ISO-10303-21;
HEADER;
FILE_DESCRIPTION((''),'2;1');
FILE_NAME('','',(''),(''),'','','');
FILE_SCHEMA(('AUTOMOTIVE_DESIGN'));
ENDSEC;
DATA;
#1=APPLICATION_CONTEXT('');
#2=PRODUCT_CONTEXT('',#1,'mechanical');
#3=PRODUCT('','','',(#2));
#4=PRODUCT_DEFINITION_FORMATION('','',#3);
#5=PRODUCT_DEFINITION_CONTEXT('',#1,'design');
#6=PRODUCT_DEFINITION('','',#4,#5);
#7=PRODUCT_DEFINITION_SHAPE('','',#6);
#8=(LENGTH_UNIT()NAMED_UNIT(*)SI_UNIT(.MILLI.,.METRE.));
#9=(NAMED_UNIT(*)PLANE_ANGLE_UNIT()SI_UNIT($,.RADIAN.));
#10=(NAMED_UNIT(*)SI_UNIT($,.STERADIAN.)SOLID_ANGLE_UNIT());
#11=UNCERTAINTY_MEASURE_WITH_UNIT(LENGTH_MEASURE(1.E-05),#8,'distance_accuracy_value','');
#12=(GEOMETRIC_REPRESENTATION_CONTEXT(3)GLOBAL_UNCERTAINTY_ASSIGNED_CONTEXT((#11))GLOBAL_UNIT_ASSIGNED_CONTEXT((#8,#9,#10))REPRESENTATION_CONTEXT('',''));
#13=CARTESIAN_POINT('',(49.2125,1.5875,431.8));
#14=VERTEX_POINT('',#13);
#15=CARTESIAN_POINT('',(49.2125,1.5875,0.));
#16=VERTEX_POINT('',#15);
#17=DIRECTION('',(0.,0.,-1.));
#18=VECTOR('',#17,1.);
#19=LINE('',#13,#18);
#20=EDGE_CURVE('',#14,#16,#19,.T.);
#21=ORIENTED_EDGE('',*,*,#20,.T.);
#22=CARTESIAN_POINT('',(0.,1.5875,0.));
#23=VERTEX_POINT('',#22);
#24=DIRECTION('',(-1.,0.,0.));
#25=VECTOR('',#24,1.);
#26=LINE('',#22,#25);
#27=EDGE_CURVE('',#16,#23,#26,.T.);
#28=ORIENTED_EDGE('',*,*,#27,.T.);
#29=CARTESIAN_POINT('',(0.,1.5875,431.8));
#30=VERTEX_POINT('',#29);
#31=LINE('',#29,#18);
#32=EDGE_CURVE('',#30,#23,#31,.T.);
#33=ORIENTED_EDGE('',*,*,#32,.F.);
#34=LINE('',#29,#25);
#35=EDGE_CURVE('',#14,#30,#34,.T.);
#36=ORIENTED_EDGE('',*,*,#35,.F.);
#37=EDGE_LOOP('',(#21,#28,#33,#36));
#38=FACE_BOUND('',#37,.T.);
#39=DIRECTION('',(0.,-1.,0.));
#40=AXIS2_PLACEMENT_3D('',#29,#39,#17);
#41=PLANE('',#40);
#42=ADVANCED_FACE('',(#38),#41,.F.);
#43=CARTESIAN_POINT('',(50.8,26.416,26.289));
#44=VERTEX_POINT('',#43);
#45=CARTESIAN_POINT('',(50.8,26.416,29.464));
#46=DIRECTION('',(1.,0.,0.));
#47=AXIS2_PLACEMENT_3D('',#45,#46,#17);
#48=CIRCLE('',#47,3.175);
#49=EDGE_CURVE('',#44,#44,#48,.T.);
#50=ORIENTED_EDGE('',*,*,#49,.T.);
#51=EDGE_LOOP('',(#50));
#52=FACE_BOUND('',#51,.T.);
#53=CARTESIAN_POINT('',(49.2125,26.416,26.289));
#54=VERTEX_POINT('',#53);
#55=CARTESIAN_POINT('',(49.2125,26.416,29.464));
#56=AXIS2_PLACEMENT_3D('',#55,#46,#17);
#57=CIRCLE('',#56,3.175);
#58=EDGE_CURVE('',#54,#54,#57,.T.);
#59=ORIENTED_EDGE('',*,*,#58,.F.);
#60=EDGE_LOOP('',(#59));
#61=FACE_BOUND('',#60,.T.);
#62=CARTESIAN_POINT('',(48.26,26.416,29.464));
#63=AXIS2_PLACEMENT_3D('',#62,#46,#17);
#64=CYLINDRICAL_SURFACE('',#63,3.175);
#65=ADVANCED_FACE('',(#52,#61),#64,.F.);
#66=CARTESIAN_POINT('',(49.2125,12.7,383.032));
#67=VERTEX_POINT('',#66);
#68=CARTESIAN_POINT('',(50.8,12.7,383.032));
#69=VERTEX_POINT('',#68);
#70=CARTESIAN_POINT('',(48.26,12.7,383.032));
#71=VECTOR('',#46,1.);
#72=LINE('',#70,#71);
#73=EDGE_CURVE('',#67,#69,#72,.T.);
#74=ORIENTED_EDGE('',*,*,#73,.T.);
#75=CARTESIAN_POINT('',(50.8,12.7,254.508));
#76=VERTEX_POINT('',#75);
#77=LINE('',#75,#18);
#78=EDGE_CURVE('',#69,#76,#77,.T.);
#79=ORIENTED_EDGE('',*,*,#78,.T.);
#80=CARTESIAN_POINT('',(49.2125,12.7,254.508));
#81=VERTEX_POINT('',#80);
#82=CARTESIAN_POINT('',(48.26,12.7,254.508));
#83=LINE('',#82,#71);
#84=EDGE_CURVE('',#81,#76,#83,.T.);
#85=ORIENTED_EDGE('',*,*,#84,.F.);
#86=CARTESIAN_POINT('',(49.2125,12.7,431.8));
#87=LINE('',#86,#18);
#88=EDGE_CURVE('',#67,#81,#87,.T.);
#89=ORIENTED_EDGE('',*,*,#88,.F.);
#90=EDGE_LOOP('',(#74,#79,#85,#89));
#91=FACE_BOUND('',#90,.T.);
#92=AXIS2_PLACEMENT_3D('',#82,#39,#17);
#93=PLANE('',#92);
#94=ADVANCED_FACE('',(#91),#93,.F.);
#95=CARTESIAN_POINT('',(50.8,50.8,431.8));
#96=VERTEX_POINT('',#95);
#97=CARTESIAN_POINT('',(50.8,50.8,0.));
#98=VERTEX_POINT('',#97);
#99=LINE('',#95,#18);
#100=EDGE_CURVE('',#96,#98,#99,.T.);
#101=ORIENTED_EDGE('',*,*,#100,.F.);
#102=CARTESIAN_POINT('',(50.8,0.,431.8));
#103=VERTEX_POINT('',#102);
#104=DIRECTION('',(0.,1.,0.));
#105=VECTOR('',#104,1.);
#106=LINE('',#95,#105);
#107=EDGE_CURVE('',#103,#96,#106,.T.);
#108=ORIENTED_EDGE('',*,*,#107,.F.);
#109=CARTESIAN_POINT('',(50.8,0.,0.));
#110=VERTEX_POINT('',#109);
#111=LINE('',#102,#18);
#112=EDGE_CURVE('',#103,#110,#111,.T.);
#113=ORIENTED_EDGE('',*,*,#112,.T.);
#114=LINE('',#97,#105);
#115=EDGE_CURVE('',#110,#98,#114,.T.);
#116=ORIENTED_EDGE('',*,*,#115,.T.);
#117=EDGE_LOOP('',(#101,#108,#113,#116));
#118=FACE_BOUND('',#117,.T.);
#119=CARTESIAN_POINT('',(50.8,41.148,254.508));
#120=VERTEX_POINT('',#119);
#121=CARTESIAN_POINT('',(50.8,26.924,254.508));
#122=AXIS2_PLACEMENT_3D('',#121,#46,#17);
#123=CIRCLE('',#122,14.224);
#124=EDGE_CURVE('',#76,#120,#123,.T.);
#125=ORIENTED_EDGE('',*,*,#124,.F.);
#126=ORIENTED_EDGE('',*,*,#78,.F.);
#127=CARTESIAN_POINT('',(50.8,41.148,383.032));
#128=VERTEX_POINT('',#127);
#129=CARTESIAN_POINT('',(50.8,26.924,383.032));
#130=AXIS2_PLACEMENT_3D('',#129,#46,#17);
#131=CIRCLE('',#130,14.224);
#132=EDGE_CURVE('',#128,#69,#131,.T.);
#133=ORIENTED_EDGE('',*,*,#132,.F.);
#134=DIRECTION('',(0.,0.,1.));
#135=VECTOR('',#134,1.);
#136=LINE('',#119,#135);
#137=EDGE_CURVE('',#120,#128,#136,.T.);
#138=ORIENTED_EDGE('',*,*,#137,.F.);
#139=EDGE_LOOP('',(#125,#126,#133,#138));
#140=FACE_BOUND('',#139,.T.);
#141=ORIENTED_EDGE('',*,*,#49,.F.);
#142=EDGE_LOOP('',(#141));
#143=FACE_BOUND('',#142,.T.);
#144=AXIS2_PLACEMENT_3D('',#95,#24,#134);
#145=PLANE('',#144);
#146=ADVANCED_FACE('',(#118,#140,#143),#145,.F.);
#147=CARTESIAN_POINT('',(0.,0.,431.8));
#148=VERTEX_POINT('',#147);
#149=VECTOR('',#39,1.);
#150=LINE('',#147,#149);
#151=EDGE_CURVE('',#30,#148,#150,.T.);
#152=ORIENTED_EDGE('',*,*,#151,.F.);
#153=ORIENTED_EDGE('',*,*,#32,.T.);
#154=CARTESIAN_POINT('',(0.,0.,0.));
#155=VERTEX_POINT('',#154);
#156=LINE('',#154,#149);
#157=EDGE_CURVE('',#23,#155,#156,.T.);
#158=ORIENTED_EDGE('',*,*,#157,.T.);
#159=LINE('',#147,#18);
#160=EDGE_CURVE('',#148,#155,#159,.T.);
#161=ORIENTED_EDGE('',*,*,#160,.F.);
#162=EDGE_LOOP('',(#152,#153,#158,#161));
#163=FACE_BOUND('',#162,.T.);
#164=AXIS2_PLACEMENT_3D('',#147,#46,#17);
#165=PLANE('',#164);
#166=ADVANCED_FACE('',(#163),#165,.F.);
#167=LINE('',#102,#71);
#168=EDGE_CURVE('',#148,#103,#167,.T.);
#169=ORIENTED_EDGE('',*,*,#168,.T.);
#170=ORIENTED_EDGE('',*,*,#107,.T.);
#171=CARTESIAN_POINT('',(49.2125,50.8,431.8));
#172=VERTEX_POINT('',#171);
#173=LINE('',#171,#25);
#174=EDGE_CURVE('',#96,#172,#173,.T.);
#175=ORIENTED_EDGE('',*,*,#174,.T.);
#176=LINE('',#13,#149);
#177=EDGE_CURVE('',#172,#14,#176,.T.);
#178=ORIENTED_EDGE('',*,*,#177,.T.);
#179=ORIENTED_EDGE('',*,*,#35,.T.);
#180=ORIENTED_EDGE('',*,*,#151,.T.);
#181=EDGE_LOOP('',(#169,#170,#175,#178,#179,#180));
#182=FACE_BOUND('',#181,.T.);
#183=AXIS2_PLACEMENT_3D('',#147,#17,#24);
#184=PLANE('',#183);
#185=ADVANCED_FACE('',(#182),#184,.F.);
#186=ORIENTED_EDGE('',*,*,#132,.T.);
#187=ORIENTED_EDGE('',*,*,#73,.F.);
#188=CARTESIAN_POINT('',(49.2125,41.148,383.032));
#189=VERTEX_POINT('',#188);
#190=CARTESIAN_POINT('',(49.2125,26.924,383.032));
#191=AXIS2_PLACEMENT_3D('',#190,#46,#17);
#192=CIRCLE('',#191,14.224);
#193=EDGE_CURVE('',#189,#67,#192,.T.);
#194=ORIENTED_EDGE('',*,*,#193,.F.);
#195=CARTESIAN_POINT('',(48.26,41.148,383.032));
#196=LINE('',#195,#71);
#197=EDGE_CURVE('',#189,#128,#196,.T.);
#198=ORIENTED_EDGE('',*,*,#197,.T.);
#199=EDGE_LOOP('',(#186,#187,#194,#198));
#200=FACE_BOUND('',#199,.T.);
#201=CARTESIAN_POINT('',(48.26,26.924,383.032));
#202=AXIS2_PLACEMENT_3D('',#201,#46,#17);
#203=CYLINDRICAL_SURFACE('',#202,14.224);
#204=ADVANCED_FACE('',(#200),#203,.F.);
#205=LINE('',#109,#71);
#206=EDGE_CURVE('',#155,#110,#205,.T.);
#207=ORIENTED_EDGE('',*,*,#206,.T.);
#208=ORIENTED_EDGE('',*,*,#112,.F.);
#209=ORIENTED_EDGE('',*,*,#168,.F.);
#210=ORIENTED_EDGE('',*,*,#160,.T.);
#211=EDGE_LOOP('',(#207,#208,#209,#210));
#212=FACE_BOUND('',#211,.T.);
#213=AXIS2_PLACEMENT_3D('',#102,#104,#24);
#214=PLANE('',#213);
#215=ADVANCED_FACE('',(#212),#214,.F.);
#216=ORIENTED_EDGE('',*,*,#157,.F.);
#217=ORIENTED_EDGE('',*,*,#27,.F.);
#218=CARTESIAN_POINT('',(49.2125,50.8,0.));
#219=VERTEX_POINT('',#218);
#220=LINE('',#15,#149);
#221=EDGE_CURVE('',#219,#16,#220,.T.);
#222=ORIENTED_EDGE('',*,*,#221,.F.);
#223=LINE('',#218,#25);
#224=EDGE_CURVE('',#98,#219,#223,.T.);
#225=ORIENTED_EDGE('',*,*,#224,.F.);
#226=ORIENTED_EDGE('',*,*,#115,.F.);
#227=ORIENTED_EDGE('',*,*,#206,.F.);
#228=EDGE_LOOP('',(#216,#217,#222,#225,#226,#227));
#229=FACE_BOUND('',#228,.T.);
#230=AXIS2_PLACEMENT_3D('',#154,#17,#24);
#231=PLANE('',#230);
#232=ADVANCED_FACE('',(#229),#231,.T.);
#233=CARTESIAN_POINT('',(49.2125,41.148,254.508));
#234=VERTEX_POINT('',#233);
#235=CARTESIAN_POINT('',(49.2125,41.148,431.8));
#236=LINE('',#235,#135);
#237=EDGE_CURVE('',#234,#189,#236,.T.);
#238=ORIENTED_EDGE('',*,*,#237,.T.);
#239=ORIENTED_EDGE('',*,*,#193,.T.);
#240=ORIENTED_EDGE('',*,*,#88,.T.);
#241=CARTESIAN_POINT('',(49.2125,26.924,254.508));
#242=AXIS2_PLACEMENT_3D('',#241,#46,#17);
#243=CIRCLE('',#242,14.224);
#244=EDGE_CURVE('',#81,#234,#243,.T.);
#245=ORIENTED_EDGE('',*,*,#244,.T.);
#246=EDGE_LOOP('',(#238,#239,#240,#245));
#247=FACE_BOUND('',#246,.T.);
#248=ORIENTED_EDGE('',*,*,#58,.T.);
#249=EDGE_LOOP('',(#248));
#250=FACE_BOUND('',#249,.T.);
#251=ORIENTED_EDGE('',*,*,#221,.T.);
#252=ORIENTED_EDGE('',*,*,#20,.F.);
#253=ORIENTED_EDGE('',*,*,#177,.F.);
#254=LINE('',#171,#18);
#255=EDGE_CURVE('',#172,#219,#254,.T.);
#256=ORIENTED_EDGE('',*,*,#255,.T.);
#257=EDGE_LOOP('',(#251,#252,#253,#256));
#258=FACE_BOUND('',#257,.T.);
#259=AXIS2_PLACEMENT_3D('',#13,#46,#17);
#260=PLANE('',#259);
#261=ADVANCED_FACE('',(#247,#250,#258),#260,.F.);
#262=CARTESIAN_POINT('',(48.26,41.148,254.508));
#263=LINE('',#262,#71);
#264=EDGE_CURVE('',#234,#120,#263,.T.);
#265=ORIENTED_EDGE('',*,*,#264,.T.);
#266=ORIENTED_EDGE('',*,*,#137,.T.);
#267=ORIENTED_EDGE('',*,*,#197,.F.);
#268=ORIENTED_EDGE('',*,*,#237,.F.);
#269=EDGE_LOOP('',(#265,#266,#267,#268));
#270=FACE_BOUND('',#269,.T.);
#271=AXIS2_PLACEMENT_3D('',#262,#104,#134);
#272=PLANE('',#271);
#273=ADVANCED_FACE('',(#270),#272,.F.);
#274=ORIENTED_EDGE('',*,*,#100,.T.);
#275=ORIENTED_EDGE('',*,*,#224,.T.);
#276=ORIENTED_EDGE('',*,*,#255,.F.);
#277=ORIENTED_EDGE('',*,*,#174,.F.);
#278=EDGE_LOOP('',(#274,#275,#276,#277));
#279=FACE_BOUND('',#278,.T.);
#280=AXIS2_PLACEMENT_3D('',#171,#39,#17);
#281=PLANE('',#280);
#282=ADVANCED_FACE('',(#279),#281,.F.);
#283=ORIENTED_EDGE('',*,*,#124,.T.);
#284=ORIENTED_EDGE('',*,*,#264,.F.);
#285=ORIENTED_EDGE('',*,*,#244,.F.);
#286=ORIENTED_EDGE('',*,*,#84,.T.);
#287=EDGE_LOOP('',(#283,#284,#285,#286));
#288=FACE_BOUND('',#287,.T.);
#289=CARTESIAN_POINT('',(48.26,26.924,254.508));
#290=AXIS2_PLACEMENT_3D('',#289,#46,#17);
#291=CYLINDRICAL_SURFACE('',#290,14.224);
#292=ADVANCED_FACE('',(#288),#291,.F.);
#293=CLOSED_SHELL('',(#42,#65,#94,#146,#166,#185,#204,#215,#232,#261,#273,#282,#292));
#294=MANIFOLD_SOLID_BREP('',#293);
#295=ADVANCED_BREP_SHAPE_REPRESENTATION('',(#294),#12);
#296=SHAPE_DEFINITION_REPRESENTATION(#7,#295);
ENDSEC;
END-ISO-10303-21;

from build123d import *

# Parameters (mm, degrees)
BOSS_EXTRUDE2_DEPTH = 431.8
SKETCH8_R           = 3.175
CUT_EXTRUDE6_DEPTH  = 2.54


with BuildPart() as part:
    # Sketch3 → Boss-Extrude2 (new body)
    with BuildSketch(Plane.XY):
        Polygon((0, 0), (0, 1.5875), (49.2125, 1.5875), (49.2125, 50.8), (50.8, 50.8), (50.8, 0), align=None)
    extrude(amount=BOSS_EXTRUDE2_DEPTH)

    # Sketch8 → Cut-Extrude6 (cut)
    with BuildSketch(Plane(origin=(50.8, 0, 0), x_dir=(0, 0, -1), z_dir=(1, 0, 0))):
        with Locations((-29.464, 26.416)):
            Circle(SKETCH8_R)
        with BuildLine():
            Line((-254.508, 12.7), (-383.032, 12.7))
            ThreePointArc((-383.032, 12.7), (-397.256, 26.924), (-383.032, 41.148))
            Line((-383.032, 41.148), (-254.508, 41.148))
            ThreePointArc((-254.508, 41.148), (-240.284, 26.924), (-254.508, 12.7))
        make_face()
    extrude(amount=-CUT_EXTRUDE6_DEPTH, mode=Mode.SUBTRACT)


solid = part.part
